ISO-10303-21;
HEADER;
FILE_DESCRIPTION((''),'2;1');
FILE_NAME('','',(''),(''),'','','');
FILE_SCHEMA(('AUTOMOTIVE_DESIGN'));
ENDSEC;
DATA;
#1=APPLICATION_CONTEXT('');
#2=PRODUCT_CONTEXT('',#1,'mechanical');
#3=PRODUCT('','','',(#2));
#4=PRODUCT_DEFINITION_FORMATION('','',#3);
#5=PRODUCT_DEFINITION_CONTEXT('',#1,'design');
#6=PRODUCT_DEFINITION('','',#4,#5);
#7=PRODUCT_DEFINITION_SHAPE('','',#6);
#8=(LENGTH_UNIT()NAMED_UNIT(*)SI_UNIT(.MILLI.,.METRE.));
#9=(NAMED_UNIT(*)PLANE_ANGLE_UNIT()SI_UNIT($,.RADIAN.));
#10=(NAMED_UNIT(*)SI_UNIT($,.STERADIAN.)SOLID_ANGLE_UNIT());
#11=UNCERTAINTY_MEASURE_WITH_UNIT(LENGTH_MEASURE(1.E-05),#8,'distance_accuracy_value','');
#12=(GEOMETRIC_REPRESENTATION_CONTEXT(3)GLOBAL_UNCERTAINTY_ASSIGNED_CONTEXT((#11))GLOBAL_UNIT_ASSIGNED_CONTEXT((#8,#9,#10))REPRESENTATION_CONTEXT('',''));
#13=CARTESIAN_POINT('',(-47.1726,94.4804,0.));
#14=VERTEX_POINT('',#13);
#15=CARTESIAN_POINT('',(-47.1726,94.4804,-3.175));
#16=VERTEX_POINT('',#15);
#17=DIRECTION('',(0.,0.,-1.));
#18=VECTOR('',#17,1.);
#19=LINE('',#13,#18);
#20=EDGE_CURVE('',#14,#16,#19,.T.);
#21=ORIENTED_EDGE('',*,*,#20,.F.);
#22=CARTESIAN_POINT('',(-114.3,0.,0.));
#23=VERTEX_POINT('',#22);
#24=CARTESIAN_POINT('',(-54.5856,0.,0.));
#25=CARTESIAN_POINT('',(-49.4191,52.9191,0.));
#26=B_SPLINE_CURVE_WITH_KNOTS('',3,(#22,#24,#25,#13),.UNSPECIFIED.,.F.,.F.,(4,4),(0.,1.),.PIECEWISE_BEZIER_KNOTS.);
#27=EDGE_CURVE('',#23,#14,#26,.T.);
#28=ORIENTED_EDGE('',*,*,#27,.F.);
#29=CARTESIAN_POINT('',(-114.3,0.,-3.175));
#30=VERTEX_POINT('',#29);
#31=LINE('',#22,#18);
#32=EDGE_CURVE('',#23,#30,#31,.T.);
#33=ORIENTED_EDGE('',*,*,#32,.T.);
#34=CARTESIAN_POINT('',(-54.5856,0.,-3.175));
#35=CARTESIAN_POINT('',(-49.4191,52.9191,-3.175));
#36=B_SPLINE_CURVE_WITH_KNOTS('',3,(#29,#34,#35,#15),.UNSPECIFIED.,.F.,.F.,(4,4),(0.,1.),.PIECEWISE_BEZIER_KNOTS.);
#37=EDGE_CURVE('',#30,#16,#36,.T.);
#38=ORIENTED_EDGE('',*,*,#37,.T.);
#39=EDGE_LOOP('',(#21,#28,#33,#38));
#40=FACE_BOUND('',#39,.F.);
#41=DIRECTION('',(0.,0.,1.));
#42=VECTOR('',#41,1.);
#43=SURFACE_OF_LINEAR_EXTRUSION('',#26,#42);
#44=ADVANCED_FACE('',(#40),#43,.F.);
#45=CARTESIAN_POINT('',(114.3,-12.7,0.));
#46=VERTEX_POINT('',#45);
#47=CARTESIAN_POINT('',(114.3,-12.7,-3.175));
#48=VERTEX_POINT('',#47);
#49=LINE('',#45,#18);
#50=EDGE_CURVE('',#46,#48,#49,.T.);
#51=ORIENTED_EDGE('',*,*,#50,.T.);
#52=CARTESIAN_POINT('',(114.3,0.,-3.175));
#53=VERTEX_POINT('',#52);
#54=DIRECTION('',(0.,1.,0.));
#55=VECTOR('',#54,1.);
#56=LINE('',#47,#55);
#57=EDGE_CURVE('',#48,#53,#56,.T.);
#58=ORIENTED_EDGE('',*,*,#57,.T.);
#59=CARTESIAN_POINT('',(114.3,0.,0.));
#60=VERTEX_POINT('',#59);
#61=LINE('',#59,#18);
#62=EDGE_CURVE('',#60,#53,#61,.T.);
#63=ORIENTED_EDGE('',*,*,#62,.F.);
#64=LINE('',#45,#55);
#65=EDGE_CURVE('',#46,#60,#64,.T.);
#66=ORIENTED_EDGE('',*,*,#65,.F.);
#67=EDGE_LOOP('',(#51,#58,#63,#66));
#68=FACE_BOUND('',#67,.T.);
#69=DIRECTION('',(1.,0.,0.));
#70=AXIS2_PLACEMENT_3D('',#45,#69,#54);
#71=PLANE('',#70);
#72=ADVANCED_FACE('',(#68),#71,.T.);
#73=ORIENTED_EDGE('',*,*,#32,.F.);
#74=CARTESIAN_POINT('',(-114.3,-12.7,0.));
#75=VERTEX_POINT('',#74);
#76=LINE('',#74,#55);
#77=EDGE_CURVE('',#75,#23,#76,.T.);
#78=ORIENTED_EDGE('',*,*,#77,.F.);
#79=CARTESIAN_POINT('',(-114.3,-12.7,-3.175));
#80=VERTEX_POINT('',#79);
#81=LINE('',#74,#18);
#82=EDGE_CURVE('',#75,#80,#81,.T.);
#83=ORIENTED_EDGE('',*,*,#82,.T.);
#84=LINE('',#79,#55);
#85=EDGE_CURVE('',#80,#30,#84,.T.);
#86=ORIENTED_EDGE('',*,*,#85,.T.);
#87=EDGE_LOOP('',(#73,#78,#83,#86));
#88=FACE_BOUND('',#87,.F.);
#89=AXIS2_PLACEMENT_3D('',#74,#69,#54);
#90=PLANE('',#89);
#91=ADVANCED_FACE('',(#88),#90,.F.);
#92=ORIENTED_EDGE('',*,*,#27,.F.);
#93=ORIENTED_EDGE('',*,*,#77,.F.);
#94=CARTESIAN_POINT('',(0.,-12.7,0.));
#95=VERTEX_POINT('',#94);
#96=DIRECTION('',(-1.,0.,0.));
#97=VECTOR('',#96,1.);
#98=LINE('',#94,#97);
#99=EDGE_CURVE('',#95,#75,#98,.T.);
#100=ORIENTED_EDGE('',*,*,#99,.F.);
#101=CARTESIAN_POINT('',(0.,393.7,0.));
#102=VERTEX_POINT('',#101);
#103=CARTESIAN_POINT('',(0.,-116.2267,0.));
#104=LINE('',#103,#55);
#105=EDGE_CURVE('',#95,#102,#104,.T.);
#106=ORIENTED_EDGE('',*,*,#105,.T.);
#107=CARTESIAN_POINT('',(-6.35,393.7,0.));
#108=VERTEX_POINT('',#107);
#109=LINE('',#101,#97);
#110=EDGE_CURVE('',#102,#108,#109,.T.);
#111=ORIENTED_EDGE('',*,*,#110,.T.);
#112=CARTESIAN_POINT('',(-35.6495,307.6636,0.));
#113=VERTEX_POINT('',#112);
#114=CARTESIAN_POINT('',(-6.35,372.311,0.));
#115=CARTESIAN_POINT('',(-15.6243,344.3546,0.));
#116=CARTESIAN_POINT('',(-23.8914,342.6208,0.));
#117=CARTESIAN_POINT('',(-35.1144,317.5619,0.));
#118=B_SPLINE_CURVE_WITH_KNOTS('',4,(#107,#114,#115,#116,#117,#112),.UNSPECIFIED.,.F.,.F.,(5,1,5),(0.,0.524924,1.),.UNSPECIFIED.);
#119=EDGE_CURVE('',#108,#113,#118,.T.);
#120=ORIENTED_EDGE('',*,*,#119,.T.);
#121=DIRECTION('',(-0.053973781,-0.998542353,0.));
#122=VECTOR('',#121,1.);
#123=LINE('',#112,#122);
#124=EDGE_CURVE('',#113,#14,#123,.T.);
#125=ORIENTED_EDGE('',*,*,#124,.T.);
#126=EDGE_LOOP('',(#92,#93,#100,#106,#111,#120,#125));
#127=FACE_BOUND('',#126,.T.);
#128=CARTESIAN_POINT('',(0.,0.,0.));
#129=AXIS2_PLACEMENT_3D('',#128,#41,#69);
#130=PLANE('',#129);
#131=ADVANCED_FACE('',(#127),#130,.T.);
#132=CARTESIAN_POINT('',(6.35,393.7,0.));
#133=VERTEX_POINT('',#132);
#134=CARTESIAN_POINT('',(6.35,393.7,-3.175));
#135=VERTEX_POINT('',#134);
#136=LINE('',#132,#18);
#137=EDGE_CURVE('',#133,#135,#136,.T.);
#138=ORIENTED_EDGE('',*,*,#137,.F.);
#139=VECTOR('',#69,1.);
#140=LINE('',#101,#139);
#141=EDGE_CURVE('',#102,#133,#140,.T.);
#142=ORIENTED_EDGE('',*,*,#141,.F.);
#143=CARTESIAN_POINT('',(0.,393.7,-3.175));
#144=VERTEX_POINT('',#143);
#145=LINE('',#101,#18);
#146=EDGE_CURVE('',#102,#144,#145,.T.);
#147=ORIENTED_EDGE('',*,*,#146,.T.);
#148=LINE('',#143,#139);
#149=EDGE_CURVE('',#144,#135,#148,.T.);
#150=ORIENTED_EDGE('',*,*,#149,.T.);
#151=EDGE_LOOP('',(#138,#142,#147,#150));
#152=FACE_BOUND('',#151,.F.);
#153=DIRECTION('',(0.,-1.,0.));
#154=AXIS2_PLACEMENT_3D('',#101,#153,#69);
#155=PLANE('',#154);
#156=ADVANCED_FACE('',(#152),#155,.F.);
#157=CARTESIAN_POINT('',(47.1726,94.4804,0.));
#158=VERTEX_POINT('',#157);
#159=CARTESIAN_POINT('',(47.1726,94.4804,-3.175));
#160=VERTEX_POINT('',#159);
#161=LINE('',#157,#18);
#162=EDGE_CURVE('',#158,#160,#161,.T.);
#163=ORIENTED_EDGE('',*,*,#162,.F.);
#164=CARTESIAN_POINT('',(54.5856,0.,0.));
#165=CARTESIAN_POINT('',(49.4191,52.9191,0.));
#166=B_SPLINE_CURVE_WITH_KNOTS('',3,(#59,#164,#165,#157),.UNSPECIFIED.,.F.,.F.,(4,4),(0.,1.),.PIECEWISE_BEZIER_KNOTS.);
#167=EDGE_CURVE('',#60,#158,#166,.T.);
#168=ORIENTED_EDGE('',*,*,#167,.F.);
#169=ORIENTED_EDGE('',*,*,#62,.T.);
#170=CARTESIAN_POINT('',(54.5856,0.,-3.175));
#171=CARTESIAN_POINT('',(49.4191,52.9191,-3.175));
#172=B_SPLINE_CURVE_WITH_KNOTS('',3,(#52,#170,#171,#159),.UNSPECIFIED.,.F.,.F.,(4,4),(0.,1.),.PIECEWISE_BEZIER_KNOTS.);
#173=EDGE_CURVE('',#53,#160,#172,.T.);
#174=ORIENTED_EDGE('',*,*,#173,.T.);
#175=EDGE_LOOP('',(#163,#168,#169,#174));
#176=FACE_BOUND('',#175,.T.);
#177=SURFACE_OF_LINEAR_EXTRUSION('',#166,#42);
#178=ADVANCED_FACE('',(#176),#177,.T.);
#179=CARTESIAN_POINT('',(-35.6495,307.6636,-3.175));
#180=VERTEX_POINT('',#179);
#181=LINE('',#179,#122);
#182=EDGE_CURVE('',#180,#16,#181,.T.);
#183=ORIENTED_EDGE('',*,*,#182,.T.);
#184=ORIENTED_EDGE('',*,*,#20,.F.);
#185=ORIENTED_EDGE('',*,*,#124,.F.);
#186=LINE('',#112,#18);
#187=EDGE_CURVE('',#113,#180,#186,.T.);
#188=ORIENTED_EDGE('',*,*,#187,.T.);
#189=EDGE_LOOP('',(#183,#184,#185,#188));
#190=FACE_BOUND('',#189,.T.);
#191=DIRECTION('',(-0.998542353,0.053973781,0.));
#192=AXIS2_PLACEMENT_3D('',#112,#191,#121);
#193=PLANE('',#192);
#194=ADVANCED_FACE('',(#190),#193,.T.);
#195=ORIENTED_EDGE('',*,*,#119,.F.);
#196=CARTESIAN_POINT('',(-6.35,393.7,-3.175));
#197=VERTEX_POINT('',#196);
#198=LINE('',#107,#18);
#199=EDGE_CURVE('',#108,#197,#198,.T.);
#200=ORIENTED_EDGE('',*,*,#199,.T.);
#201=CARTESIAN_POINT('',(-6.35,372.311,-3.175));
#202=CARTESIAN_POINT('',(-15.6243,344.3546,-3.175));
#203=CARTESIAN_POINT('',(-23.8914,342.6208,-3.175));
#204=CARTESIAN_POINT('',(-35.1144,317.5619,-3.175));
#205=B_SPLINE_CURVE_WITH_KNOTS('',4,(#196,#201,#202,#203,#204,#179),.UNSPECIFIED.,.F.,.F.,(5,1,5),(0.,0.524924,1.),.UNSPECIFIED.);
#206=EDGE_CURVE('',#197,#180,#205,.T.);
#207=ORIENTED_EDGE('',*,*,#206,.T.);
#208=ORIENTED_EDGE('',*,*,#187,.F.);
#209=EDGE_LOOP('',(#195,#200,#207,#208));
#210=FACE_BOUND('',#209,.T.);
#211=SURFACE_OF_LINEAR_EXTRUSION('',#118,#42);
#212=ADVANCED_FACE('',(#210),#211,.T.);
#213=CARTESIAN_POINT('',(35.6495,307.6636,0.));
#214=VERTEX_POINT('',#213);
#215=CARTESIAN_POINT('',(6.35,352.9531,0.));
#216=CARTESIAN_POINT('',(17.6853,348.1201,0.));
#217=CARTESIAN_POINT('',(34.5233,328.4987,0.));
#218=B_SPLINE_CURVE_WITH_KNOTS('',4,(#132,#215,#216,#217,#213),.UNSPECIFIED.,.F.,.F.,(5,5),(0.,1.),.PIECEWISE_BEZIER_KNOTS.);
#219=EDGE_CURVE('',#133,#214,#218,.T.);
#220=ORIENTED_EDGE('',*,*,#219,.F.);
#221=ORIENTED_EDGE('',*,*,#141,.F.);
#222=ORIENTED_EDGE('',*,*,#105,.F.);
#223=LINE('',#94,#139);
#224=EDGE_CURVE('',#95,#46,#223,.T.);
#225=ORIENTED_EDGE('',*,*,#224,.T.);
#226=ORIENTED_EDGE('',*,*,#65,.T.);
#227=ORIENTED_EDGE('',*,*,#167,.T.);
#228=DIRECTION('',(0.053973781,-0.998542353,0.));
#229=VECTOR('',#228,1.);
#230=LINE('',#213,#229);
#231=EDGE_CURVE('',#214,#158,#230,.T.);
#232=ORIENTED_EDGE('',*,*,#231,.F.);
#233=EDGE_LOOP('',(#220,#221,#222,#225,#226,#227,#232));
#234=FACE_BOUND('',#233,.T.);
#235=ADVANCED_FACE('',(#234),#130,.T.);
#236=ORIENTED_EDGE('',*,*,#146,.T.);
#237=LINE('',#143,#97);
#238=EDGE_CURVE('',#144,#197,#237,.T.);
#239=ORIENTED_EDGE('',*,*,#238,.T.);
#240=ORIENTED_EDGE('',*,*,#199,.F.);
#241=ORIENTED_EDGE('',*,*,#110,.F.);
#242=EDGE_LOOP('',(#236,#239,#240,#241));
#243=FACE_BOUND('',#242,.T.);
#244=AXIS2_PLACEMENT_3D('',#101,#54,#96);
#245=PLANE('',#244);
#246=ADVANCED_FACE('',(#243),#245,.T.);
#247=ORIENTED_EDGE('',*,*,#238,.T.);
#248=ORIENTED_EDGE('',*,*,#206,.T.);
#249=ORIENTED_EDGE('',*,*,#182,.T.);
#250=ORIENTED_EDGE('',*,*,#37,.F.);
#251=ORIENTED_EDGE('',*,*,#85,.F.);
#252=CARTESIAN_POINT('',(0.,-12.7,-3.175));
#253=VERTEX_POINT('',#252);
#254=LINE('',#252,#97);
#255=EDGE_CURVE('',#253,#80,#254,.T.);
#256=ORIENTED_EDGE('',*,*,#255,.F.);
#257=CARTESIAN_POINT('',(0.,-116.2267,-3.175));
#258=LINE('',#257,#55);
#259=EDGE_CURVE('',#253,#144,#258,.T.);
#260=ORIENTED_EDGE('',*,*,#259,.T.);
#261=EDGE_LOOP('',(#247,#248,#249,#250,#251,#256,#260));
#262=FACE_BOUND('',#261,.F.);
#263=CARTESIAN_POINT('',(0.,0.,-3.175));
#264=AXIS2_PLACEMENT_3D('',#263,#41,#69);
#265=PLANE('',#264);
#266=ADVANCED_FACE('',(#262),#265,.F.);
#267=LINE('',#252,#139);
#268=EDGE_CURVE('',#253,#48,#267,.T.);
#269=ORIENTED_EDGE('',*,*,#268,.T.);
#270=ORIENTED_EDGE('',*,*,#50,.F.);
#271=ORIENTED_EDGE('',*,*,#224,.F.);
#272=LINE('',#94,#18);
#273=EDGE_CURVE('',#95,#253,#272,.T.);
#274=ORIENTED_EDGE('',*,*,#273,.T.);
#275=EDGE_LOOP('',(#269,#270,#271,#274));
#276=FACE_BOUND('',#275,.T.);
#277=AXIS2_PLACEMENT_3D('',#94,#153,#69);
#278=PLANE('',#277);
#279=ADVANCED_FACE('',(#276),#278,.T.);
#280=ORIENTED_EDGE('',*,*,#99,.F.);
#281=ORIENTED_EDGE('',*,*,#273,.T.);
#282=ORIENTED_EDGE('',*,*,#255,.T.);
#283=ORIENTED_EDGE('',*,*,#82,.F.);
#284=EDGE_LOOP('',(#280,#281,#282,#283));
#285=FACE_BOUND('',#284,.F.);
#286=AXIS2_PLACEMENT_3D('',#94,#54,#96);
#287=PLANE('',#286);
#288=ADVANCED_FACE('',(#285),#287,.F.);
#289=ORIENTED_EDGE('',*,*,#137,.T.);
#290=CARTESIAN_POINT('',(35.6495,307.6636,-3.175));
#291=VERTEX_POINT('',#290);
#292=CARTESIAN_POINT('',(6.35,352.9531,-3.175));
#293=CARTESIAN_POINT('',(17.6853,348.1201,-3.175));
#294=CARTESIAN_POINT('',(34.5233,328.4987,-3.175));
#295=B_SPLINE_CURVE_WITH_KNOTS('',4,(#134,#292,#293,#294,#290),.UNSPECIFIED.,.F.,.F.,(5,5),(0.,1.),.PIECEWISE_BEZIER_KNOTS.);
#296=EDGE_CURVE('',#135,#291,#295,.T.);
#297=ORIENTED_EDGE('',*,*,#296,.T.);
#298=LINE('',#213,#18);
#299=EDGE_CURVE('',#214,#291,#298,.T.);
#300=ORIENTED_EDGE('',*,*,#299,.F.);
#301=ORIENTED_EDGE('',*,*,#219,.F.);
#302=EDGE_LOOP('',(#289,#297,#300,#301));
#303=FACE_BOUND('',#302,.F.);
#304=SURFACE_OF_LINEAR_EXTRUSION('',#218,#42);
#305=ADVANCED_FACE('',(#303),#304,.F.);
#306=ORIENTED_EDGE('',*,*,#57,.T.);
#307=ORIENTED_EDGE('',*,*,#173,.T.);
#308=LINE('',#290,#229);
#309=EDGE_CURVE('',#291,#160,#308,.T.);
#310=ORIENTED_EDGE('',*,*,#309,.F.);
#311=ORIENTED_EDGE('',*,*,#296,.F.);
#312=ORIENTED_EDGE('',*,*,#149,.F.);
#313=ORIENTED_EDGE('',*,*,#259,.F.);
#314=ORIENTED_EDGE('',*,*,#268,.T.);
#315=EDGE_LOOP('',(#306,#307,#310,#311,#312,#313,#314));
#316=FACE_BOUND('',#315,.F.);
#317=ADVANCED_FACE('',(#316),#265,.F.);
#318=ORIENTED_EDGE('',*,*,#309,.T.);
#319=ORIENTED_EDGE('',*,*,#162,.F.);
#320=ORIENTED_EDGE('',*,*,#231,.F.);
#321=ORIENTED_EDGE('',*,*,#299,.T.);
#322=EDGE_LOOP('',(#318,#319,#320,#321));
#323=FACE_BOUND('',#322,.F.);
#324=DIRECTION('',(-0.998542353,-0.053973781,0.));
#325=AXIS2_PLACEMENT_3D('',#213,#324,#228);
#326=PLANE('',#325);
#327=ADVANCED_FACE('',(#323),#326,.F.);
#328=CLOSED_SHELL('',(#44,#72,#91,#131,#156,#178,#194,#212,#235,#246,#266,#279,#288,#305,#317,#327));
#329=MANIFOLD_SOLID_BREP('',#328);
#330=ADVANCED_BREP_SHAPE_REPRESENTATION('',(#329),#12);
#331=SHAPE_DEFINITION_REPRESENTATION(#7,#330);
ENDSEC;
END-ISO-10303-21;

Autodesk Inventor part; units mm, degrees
ref_plane "YZ Plane" through (0, 0, 0) normal (1, 0, 0) x (0, 1, 0)
ref_plane "XZ Plane" through (0, 0, 0) normal (0, 1, 0) x (-1, 0, 0)
ref_plane "XY Plane" through (0, 0, 0) normal (0, 0, 1) x (1, 0, 0)
sketch "Sketch1" plane through (0, 0, 0) normal (0, 0, 1) x (1, 0, 0)
  line L0 (76.2, -12.7) -> (381, -12.7) construction
  line L1 (-76.2, -12.7) -> (-381, -12.7) construction
  line L2 (-76.2, 0) -> (-381, 0) construction
  line L3 (76.2, 0) -> (381, 0) construction
  line L4 (0, -116.2267) -> (0, 608.4603)
  line L5 (0, -12.7) -> (-114.3, -12.7)
  line L6 (-114.3, -12.7) -> (-114.3, 0)
  line L7 (0, 393.7) -> (-6.35, 393.7)
  line L8 (-35.6495, 307.6636) -> (-47.1726, 94.4804)
  spline S0 degree 3 poles (-114.3, 0) (-54.5856, 0) (-49.4191, 52.9191) (-47.1726, 94.4804) knots 0 0 0 0 1 1 1 1
  line L9 (-119.6474, 0) -> (-108.9526, 0) construction
  arc A0 (-118.5741, 0.0908) -> (-110.0259, 0.0904) centre (-114.3, 101.0734) ccw construction
  line L10 (35.6495, 307.6636) -> (47.1726, 94.4804)
  line L11 (0, 393.7) -> (6.35, 393.7)
  spline S1 degree 3 poles (114.3, 0) (54.5856, 0) (49.4191, 52.9191) (47.1726, 94.4804) knots 0 0 0 0 1 1 1 1
  line L12 (119.6474, 0) -> (108.9526, 0) construction
  arc A1 (110.0259, 0.0904) -> (118.5741, 0.0908) centre (114.3, 101.0734) ccw construction
  line L13 (0, -12.7) -> (114.3, -12.7)
  line L14 (114.3, -12.7) -> (114.3, 0)
  spline S2 degree 4 poles (-6.35, 393.7) (-6.35, 372.311) (-15.6243, 344.3546) (-23.8914, 342.6208) (-35.1144, 317.5619) (-35.6495, 307.6636) knots 0 0 0 0 0 0.524924 1 1 1 1 1
  line L15 (-6.35, 420.5818) -> (-6.35, 366.8182) construction
  arc A2 (-8.1557, 372.5045) -> (-8.1557, 414.8955) centre (-131.6479, 393.7) ccw construction
  spline S3 degree 4 poles (6.35, 393.7) (6.35, 352.9531) (17.6853, 348.1201) (34.5233, 328.4987) (35.6495, 307.6636) knots 0 0 0 0 0 1 1 1 1 1
  line L16 (6.35, 420.5818) -> (6.35, 366.8182) construction
  arc A3 (8.1557, 414.8955) -> (8.1557, 372.5045) centre (131.6479, 393.7) ccw construction
  line L17 (-14.8603, 351.5845) -> (-28.3954, 331.1958) construction
  arc A4 (-16.1968, 349.5342) -> (-27.0248, 333.2235) centre (1931.9258, -955.4859) ccw construction
  point P0 (0, 0)
  point P1 (-21.6278, 341.3901)
  point P2 (21.6278, 341.3901)
  dimension "d0" = 6.35
  dimension "d3" = 114.3
  dimension "d4" = 406.4
extrude "Extrusion1" add sketch "Sketch1" against normal blind 3.175
properties part number "Bottom Plate" material "Wood (Cherry)"
